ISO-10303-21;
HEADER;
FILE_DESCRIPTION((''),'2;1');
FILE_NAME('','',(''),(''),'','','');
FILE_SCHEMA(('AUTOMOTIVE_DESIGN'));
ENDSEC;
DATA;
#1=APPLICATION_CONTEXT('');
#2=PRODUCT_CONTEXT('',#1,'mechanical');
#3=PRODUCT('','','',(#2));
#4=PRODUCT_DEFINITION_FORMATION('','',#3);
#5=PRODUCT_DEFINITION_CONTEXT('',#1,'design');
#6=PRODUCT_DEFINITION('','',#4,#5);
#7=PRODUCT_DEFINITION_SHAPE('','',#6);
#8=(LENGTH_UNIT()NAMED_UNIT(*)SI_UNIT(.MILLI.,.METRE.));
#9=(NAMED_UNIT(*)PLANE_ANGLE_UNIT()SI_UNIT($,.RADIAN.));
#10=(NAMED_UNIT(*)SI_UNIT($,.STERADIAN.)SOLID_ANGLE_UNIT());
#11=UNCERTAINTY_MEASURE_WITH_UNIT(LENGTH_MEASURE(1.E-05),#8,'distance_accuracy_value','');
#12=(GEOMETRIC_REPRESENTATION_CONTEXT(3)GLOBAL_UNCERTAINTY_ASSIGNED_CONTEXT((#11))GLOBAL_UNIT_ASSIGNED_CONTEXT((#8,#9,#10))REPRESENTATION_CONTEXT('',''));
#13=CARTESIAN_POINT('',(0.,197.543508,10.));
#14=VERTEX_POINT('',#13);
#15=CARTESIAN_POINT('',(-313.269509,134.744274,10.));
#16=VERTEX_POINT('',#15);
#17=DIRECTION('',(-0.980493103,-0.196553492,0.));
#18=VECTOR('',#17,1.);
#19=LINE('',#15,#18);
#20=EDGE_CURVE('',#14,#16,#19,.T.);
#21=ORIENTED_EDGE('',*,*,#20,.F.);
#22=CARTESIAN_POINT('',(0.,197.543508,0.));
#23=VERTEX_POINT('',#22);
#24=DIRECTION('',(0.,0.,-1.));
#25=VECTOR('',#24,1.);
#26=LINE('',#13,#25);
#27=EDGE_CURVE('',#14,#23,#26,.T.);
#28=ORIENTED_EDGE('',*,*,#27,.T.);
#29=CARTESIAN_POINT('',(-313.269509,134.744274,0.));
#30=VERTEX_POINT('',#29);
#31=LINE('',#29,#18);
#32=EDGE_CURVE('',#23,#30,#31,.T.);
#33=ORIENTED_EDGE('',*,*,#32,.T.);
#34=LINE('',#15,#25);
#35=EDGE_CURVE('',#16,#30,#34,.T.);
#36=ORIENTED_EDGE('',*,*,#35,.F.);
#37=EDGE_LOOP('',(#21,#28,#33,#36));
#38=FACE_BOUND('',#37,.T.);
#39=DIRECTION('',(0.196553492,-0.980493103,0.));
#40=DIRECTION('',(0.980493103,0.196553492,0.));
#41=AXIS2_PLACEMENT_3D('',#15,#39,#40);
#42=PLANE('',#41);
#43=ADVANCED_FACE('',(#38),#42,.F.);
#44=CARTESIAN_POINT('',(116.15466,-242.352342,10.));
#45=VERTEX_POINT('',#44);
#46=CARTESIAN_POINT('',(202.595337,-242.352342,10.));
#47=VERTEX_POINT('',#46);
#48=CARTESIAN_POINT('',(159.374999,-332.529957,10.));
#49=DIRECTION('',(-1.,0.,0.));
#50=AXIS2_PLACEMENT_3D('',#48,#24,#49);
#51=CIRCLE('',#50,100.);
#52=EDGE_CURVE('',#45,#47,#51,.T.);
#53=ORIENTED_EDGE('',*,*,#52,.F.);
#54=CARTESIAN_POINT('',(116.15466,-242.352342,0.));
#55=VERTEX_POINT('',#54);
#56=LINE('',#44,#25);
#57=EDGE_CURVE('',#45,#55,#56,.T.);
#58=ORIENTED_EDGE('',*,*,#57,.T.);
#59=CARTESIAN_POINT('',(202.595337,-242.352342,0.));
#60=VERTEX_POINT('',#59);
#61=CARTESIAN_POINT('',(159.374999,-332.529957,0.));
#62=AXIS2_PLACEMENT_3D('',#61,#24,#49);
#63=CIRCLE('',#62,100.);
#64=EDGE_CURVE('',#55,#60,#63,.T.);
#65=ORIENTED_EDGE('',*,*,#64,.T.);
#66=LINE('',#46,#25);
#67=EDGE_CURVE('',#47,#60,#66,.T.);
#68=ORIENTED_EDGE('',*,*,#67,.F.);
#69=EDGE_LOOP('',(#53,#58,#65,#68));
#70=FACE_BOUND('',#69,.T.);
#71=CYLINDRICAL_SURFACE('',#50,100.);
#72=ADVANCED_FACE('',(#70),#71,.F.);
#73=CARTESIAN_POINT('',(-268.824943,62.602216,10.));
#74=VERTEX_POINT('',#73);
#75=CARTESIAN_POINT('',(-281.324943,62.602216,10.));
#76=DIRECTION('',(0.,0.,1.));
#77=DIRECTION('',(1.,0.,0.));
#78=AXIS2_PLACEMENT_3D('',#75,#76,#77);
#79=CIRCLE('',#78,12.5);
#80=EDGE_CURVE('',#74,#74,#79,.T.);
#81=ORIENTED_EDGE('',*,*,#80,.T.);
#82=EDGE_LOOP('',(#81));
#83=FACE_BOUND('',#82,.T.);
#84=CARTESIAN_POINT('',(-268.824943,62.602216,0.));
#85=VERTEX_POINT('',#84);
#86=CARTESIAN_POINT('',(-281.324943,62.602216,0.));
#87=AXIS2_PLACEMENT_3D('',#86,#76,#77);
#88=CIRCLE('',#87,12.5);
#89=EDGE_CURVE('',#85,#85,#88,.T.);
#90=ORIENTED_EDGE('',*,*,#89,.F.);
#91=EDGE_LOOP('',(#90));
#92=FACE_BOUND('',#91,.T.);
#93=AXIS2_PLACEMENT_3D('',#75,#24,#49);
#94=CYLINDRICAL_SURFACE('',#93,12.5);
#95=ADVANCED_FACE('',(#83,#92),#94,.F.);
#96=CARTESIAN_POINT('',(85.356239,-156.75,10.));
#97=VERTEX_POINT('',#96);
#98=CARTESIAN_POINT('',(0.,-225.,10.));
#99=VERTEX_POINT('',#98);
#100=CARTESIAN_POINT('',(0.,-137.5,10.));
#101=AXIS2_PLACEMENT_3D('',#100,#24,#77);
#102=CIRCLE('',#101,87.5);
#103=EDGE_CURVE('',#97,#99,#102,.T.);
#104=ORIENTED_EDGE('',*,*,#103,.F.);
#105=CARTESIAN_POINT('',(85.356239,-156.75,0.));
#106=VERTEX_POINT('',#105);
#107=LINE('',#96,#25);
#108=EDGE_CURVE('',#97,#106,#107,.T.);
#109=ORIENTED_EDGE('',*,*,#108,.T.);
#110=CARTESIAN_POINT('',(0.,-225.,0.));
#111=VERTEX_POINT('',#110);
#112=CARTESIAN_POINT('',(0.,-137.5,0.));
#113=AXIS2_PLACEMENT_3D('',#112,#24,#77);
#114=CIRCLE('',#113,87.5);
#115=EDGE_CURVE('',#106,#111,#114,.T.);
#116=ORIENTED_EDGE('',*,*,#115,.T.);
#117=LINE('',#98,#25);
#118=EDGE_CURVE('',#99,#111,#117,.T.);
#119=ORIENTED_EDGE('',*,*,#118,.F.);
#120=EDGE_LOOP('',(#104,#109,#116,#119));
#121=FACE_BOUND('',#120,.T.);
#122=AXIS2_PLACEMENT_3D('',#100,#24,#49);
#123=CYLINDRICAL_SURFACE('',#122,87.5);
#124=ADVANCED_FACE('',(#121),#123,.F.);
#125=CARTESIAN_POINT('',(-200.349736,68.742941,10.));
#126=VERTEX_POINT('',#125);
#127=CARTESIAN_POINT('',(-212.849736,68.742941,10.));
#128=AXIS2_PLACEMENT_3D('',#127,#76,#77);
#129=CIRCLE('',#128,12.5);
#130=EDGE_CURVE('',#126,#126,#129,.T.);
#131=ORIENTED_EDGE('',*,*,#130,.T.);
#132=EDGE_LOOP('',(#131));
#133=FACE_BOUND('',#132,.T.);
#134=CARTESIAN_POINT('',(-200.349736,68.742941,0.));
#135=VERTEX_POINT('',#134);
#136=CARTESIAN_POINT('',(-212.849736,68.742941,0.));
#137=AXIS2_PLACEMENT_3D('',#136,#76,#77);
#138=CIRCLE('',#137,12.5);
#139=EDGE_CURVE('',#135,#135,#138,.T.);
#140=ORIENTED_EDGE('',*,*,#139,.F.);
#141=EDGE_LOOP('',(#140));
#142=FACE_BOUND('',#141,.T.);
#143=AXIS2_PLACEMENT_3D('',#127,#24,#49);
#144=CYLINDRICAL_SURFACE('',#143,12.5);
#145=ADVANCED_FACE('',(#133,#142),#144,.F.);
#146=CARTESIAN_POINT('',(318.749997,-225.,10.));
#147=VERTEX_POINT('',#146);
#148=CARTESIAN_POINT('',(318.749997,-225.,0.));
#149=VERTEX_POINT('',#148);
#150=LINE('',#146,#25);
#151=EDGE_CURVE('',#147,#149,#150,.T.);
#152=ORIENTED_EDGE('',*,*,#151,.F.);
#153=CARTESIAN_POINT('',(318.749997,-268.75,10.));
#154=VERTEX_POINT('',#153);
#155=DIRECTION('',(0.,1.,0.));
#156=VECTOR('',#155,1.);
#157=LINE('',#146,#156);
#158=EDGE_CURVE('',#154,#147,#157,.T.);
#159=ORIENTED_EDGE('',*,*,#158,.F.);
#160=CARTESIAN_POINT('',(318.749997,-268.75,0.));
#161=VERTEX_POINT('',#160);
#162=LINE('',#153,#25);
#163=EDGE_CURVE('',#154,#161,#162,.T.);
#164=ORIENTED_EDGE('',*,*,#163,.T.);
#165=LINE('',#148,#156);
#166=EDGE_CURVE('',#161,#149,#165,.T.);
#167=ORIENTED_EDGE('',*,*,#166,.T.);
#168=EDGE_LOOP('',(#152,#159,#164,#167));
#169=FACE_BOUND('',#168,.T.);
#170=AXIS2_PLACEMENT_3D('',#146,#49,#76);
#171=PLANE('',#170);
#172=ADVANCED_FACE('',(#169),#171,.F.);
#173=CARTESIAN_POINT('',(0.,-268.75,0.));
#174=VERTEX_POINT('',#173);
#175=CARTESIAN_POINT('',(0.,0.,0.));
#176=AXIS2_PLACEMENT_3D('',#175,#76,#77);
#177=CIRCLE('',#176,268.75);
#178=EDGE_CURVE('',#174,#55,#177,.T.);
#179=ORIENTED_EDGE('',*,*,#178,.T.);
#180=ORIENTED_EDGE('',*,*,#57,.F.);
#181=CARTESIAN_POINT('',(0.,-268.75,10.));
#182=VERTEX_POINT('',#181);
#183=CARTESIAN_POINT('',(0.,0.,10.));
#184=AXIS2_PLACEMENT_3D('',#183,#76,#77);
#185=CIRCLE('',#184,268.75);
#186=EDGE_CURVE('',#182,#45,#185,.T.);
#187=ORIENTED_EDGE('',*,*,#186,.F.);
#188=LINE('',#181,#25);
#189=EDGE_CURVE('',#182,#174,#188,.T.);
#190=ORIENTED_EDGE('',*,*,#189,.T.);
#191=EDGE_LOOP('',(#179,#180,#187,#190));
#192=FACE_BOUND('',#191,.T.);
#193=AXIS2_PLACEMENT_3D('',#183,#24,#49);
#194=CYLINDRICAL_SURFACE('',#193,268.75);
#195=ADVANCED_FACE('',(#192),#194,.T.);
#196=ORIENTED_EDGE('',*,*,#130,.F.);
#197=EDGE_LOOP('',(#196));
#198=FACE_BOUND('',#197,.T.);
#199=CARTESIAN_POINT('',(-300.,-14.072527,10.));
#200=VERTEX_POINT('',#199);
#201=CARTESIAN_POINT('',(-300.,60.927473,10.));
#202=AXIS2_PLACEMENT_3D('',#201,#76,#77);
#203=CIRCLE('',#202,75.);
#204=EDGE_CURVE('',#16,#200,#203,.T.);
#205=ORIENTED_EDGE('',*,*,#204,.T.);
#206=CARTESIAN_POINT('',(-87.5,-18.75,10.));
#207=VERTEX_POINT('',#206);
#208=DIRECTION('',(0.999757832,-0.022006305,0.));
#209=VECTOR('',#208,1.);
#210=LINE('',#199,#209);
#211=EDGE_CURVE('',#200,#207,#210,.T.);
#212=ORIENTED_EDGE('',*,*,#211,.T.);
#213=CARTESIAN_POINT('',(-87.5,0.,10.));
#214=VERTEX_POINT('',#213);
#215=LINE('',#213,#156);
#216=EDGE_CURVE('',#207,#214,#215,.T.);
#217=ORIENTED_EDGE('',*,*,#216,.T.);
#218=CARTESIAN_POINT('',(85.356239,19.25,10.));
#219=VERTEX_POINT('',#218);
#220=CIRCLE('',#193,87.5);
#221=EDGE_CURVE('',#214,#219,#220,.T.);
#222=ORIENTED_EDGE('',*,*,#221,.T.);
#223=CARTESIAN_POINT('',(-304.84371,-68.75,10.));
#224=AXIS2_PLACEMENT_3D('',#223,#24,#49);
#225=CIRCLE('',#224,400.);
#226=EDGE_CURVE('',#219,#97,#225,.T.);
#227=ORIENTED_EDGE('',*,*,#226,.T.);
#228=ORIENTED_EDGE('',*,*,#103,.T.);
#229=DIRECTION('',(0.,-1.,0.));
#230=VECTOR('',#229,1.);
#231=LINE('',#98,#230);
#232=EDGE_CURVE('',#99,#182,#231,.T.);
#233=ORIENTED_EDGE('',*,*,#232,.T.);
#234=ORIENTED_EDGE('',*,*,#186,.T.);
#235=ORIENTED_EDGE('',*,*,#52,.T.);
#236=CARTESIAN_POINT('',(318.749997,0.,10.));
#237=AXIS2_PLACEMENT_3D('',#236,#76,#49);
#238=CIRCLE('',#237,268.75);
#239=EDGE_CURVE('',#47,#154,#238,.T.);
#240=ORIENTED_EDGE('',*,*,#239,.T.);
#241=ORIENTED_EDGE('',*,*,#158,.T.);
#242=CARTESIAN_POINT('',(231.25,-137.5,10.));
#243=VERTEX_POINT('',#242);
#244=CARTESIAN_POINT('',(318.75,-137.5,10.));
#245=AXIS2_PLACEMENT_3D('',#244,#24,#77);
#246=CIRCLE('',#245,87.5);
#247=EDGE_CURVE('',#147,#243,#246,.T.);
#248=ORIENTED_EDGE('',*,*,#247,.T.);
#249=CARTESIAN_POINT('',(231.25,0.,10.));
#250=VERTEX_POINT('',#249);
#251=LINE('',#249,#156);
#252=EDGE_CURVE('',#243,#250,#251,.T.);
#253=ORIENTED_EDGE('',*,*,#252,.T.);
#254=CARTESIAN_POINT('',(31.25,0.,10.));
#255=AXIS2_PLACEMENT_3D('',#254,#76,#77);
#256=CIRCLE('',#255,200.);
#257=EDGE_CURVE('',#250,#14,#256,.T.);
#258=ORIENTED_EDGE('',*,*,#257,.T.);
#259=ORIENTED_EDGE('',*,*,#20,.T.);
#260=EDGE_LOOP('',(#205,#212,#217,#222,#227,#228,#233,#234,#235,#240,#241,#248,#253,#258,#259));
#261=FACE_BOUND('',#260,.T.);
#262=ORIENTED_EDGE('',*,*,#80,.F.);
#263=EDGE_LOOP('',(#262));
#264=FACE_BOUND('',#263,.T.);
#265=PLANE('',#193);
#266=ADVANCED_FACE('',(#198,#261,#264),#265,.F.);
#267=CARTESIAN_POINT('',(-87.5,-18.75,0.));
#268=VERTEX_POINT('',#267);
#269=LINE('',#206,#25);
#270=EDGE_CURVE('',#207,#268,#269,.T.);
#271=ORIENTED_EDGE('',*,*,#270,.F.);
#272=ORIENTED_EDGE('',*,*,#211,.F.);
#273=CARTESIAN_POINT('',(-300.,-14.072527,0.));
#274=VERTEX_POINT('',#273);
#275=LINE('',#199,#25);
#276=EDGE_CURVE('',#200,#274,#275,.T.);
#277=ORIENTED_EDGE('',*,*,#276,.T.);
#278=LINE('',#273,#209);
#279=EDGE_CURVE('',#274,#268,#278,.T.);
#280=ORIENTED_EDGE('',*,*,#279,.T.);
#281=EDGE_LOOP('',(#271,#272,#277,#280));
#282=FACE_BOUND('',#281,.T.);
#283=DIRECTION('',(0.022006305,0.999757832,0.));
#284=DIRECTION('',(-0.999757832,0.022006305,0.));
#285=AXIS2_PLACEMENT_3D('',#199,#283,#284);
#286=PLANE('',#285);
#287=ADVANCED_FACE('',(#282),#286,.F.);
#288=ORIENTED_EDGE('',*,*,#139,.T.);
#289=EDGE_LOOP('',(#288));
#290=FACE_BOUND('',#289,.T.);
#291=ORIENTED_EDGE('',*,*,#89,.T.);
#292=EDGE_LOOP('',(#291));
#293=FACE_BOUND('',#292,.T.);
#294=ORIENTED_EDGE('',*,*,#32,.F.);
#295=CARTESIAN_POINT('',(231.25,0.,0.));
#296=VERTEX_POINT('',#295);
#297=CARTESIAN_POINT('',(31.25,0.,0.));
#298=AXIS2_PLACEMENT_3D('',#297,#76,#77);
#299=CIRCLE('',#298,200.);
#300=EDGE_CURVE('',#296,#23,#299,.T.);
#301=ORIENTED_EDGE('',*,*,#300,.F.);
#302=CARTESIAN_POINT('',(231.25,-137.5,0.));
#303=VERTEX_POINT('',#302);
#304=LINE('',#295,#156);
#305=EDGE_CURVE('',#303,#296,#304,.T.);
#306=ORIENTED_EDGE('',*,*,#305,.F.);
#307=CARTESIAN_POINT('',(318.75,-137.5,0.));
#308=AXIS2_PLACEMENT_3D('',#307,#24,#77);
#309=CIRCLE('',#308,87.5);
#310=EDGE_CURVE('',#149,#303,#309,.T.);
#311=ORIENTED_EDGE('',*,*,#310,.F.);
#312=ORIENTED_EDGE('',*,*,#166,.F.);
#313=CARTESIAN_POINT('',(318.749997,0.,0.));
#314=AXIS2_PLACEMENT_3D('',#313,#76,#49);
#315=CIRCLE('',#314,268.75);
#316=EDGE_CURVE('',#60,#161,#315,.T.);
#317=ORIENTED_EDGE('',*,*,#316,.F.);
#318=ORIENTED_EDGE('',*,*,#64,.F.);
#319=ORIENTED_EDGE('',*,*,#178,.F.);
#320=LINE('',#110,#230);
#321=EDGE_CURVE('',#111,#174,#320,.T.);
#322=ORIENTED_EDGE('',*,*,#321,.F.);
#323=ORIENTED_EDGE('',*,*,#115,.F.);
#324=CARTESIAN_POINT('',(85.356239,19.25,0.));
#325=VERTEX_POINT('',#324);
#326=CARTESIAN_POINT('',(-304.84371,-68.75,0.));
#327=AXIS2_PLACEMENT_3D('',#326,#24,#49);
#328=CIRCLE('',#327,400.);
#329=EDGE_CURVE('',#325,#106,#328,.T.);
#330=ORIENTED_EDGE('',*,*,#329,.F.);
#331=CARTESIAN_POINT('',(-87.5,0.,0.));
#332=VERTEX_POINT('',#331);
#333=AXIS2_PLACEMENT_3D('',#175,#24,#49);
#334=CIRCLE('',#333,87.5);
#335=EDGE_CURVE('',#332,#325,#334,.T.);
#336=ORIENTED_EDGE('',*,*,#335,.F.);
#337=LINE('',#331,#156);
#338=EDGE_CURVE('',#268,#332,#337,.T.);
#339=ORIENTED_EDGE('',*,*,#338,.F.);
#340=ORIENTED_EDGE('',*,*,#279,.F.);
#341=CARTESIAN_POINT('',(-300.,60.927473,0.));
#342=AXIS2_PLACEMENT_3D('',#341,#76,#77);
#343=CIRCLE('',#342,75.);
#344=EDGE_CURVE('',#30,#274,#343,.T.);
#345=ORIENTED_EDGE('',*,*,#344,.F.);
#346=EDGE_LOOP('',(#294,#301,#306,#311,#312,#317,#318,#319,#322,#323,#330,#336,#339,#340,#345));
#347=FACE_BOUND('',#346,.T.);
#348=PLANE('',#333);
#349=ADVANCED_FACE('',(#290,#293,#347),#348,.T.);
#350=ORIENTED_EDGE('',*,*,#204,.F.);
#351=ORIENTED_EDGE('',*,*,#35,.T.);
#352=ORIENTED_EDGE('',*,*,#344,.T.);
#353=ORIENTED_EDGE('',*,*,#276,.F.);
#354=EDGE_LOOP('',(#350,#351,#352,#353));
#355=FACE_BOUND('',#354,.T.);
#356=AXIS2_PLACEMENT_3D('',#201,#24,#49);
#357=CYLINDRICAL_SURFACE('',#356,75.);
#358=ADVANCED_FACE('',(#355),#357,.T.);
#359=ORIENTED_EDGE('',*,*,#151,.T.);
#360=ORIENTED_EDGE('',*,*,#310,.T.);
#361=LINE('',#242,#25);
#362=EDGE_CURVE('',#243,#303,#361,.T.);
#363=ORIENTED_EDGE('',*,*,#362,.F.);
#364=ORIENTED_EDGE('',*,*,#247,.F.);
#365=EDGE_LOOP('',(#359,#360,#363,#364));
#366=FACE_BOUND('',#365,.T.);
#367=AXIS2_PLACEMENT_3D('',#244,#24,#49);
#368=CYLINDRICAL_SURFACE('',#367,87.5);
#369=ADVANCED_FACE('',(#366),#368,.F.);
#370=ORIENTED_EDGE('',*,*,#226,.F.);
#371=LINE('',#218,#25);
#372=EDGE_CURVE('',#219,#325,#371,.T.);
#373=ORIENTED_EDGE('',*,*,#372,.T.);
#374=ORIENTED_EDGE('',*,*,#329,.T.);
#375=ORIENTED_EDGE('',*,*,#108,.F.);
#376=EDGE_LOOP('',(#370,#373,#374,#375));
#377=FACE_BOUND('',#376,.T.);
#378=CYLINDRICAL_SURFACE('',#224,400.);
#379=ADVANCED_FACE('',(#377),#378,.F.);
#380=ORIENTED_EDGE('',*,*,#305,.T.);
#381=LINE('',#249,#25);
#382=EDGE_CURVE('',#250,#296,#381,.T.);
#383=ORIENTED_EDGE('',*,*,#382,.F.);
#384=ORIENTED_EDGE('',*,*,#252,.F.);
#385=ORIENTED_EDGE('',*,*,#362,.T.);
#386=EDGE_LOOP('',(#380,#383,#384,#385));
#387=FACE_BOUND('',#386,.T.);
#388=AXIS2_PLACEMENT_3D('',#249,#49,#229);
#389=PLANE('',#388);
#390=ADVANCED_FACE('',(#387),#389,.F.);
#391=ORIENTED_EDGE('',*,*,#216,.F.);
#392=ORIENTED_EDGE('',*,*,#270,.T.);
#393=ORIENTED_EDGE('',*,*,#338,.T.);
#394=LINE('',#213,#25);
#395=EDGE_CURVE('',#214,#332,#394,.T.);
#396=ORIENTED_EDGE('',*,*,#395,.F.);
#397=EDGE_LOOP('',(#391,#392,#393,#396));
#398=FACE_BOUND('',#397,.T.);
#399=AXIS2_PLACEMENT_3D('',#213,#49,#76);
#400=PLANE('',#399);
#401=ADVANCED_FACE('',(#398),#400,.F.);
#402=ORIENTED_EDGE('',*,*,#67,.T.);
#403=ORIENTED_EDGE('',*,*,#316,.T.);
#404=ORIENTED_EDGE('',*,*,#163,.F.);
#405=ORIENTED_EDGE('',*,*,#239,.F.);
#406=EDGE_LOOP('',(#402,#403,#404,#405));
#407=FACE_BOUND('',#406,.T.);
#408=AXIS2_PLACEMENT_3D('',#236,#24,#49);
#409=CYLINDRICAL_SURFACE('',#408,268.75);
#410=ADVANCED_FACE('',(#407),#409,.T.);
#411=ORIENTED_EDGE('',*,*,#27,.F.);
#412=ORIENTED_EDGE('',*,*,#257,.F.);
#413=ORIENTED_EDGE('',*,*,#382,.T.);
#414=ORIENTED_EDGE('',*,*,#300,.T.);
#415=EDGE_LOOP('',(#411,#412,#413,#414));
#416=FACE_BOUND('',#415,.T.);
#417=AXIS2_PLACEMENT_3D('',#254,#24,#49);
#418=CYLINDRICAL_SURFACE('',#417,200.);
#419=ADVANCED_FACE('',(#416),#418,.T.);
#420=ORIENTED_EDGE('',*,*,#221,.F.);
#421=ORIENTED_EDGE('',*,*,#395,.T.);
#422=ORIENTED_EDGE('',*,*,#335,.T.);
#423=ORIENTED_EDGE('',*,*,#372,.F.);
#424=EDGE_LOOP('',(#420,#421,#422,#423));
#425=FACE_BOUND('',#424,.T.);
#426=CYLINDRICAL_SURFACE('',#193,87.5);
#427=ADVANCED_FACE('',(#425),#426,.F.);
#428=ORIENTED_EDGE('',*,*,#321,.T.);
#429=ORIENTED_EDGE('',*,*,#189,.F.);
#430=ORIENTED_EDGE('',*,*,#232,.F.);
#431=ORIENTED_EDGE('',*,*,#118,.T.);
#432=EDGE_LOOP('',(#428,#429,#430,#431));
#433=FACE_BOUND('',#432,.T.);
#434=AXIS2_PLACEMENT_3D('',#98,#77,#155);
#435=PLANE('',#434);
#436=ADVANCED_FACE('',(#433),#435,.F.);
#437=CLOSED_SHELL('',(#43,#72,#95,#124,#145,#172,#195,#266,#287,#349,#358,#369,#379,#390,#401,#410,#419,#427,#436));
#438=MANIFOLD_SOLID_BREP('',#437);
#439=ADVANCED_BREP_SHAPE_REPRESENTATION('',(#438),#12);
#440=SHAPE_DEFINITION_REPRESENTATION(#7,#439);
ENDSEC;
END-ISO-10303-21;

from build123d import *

# Parameters (mm, degrees)
SKETCH1_R           = 12.5
BOSS_EXTRUDE1_DEPTH = 10


with BuildPart() as part:
    # Sketch1 → Boss-Extrude1 (new body)
    with BuildSketch(Plane.XY):
        with BuildLine():
            Line((231.25, 0), (231.25, -137.5))
            ThreePointArc((231.25, -137.5), (256.878155637, -199.371842345), (318.749997146, -225))
            Line((318.749997146, -225), (318.749997146, -268.75))
            ThreePointArc((318.749997146, -268.75), (259.191745399, -262.067504946), (202.595337169, -242.352341572))
            ThreePointArc((202.595337169, -242.352341572), (159.374998573, -232.529957041), (116.154659977, -242.352341572))
            ThreePointArc((116.154659977, -242.352341572), (59.558251747, -262.067504946), (0, -268.75))
            Line((0, -268.75), (0, -225))
            ThreePointArc((0, -225), (54.643732486, -205.839684664), (85.356238788, -156.75))
            ThreePointArc((85.356238788, -156.75), (95.156290044, -68.75), (85.356238788, 19.25))
            ThreePointArc((85.356238788, 19.25), (-9.68450066, 86.96240824), (-87.5, 0))
            Line((-87.5, 0), (-87.5, -18.75))
            Line((-87.5, -18.75), (-300, -14.072527462))
            ThreePointArc((-300, -14.072527462), (-374.703614676, 54.266394967), (-313.269508591, 134.744273754))
            Line((-313.269508591, 134.744273754), (0, 197.543507866))
            ThreePointArc((0, 197.543507866), (161.153810568, 152.069063257), (231.25, 0))
        make_face()
        with Locations((-281.324943498, 62.602215693)):
            Circle(SKETCH1_R, mode=Mode.SUBTRACT)
        with Locations((-212.849736322, 68.742940594)):
            Circle(SKETCH1_R, mode=Mode.SUBTRACT)
    extrude(amount=BOSS_EXTRUDE1_DEPTH)


solid = part.part
